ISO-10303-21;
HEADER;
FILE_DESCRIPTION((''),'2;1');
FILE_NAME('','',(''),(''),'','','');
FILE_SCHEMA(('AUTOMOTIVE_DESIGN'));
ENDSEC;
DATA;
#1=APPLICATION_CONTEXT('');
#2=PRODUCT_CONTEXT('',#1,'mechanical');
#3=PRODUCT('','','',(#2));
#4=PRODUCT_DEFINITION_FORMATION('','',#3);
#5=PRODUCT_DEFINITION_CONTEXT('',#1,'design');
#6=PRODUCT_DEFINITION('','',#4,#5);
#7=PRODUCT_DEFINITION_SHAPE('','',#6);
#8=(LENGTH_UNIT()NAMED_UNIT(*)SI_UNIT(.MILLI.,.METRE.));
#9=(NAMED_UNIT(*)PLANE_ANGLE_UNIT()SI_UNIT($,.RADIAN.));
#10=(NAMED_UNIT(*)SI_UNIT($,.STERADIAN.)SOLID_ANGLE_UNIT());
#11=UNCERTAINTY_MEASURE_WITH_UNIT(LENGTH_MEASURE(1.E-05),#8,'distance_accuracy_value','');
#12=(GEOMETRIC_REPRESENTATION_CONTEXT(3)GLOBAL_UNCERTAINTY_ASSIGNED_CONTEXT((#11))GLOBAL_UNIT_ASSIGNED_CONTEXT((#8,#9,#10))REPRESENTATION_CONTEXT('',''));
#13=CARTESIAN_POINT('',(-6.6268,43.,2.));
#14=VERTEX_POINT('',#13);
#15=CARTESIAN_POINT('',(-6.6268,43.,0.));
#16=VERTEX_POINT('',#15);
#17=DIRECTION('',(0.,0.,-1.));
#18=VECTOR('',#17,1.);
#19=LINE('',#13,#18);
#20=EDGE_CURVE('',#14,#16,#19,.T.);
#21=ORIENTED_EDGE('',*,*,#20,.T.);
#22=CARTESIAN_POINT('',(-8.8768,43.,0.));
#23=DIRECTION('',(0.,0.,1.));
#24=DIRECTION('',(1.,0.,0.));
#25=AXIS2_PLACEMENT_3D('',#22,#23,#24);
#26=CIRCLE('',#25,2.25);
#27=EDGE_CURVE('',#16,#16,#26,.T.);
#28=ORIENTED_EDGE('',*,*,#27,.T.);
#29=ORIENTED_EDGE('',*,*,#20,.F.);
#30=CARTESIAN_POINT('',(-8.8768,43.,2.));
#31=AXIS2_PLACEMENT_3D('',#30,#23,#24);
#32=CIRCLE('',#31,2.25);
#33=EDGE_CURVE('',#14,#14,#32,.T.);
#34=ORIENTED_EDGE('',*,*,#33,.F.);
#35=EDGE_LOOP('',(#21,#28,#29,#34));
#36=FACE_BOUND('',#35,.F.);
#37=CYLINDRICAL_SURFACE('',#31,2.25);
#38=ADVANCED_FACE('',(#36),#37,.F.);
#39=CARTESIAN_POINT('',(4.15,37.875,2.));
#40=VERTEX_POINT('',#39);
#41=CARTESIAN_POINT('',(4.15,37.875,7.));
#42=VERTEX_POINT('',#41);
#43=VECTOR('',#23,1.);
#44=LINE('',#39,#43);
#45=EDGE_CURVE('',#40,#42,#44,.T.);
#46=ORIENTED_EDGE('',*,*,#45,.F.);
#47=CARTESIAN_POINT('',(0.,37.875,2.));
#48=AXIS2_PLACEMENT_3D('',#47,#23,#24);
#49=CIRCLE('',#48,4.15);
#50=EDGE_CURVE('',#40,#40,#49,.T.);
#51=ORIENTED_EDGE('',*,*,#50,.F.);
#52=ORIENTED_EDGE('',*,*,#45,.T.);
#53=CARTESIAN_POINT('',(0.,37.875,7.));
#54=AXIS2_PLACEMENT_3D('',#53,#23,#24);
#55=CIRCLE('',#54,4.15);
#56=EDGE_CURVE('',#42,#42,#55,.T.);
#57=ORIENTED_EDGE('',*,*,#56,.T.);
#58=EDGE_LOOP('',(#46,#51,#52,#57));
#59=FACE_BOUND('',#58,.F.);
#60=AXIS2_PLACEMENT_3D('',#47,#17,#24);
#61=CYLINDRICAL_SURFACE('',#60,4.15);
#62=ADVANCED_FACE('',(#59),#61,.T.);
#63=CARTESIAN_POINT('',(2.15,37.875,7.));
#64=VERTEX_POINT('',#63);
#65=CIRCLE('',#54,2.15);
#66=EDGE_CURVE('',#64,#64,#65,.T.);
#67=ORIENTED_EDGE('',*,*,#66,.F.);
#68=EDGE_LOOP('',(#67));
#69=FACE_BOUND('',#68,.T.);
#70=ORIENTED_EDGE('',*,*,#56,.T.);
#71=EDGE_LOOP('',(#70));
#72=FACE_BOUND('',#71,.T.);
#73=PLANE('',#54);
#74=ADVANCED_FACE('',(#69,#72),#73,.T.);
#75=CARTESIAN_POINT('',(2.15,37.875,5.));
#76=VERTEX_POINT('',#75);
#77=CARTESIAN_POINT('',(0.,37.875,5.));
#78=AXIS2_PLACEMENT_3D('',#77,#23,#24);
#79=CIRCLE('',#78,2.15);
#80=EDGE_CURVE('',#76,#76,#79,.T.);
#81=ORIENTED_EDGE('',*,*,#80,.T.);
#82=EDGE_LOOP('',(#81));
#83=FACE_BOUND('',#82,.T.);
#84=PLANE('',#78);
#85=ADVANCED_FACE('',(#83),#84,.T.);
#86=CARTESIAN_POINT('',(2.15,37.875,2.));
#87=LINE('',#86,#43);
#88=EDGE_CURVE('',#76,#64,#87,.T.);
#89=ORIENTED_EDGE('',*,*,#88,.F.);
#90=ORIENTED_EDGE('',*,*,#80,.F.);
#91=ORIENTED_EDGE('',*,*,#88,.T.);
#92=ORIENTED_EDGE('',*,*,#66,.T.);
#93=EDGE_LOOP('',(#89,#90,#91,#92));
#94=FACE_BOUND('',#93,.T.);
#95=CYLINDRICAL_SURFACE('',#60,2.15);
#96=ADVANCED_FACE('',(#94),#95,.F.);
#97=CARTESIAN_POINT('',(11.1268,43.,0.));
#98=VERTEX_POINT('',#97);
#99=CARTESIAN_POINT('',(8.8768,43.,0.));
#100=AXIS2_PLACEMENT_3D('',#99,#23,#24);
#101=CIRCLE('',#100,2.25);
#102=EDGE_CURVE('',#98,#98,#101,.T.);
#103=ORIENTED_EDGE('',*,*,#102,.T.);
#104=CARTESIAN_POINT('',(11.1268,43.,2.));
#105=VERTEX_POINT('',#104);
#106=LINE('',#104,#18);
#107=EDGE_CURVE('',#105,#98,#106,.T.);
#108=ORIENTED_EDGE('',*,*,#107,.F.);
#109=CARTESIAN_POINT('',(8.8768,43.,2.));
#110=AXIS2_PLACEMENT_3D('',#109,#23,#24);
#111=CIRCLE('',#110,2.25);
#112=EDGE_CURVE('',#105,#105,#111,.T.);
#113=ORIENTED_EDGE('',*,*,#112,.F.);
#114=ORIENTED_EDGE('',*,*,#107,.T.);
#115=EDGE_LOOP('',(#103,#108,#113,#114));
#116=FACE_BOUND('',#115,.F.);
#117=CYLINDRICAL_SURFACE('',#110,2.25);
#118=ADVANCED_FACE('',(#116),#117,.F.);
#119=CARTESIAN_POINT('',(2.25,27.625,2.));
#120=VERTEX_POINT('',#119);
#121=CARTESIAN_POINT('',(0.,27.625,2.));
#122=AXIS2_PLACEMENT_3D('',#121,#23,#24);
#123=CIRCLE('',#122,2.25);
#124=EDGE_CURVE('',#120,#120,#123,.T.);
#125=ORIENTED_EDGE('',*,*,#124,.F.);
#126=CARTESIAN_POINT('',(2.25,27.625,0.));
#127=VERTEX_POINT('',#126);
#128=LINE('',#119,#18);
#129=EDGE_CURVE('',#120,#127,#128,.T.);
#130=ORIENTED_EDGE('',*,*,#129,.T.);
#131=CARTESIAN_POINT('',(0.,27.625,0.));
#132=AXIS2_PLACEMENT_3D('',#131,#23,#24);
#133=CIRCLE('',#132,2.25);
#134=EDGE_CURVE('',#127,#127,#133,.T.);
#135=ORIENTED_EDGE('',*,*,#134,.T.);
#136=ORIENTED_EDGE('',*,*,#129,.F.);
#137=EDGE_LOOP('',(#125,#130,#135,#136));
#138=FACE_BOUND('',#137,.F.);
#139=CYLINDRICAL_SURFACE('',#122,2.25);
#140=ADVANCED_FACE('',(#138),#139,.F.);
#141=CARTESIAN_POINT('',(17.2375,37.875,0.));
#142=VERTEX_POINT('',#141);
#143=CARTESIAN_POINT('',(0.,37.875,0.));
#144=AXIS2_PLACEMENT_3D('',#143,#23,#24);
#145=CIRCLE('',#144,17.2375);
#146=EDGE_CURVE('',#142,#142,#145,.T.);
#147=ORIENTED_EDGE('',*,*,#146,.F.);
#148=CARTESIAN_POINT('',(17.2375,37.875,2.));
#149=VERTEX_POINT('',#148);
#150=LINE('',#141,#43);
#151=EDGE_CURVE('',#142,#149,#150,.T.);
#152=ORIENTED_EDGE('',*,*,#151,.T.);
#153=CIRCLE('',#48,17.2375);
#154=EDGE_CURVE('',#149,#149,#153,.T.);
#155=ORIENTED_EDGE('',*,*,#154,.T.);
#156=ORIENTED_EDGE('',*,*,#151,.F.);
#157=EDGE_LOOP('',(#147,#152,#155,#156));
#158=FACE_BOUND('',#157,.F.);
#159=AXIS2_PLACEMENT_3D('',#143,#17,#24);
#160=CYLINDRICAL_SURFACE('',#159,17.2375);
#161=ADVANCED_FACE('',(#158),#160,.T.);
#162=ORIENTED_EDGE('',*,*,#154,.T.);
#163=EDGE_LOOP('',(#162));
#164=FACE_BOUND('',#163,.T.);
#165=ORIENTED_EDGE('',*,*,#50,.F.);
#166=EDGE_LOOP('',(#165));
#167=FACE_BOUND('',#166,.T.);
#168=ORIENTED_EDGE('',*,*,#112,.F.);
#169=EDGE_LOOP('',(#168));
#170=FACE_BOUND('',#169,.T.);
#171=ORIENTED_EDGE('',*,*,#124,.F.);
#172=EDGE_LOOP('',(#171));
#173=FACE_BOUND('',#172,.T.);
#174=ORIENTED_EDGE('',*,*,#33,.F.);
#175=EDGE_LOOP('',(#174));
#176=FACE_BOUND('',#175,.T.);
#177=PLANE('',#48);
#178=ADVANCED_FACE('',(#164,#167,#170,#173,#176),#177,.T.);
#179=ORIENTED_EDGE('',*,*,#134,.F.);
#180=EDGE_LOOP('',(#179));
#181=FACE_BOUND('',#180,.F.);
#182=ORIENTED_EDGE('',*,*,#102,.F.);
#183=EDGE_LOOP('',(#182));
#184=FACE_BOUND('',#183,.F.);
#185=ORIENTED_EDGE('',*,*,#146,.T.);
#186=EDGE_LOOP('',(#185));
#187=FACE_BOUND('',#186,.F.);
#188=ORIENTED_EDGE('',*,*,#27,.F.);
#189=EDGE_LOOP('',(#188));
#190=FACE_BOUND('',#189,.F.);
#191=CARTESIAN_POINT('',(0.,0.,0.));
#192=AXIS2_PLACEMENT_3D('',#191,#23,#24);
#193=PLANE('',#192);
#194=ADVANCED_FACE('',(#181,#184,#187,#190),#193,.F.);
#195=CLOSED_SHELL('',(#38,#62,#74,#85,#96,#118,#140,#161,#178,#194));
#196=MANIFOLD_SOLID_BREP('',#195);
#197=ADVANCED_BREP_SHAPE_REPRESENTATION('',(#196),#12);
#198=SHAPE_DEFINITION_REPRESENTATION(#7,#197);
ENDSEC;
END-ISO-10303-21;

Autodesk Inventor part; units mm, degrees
ref_plane "YZ Plane" through (0, 0, 0) normal (1, 0, 0) x (0, 1, 0)
ref_plane "XZ Plane" through (0, 0, 0) normal (0, 1, 0) x (-1, 0, 0)
ref_plane "XY Plane" through (0, 0, 0) normal (0, 0, 1) x (1, 0, 0)
sketch "Szkic1" plane through (0, 0, 0) normal (0, 0, 1) x (1, 0, 0)
  circle A0 centre (-8.8768, 43) radius 2 projected
  circle A1 centre (8.8768, 43) radius 2 projected
  circle A2 centre (0, 27.625) radius 2 projected
  line L0 (20.7693, 46.5287) -> (55.6245, -37.125) projected
  arc A3 (20.7693, 46.5287) -> (-20.7693, 46.5287) centre (0, 37.875) ccw projected
  line L1 (-55.6245, -37.125) -> (-20.7693, 46.5287) projected
  line L2 (-55.6245, -63.375) -> (-55.6245, -37.125) projected
  line L3 (55.6245, -63.375) -> (-55.6245, -63.375) projected
  line L4 (55.6245, -37.125) -> (55.6245, -63.375) projected
  circle A4 centre (-50, -53.375) radius 2.75 projected
  circle A5 centre (50, -53.375) radius 2.75 projected
  circle A6 centre (-25, -45.375) radius 2.75 projected
  circle A7 centre (25, -45.375) radius 2.75 projected
  circle A8 centre (0, -53.375) radius 2.75 projected
  circle A9 centre (0, 37.875) radius 17.2375
  circle A10 centre (0, 37.875) radius 2.1667
  point P0 (0, 0)
extrude "Wyciągnięcie proste1" add sketch "Szkic1" along normal blind 2.54 contours A9
sketch "Szkic2" plane through (0, 37.875, 2.54) normal (0, 0, 1) x (1, 0, 0)
  circle A0 centre (0, 0) radius 17.2375 projected
  circle A1 centre (0, 0) radius 2.1667 projected
  circle A2 centre (0, -10.25) radius 2 projected
  circle A3 centre (8.8768, 5.125) radius 2 projected
  circle A4 centre (-8.8768, 5.125) radius 2 projected
  point P0 (0, -37.875)
extrude "Wyciągnięcie proste2" cut sketch "Szkic2" against normal blind 0.54
sketch "Szkic3" plane through (0, 37.875, 2) normal (0, 0, 1) x (1, 0, 0)
  circle A0 centre (0, 0) radius 17.2375 projected
  circle A1 centre (-8.8768, 5.125) radius 2 projected
  circle A2 centre (8.8768, 5.125) radius 2 projected
  circle A3 centre (0, -10.25) radius 2 projected
  circle A4 centre (0, 0) radius 2.1667 projected
  point P0 (0, -37.875)
extrude "Wyciągnięcie proste3" add sketch "Szkic3" against normal up to surface (2 mm away) contours A4
sketch "Szkic4" plane through (0, 37.875, 2) normal (0, 0, 1) x (1, 0, 0)
  circle A0 centre (0, 0) radius 17.2375 projected
  circle A1 centre (-8.8768, 5.125) radius 2 projected
  circle A2 centre (8.8768, 5.125) radius 2 projected
  circle A3 centre (0, -10.25) radius 2 projected
  circle A4 centre (0, 0) radius 2.15
  line L0 (2.15, 0) -> (4.15, 0)
  circle A5 centre (0, 0) radius 4.15
  point P0 (0, -37.875)
  dimension "d6" = 4.3
  dimension "d7" = 2
extrude "Wyciągnięcie proste4" add sketch "Szkic4" along normal blind 5 contours A5
sketch "Szkic5" plane through (0, 37.875, 2) normal (0, 0, 1) x (1, 0, 0)
  circle A0 centre (0, 0) radius 2.15 projected
  point P0 (0, -37.875)
extrude "Wyciągnięcie proste5" add sketch "Szkic5" along normal blind 3
sketch "Szkic6" plane through (0, 37.875, 2) normal (0, 0, 1) x (1, 0, 0)
  circle A0 centre (0, 0) radius 17.2375 projected
  circle A1 centre (-8.8768, 5.125) radius 2 projected
  circle A2 centre (8.8768, 5.125) radius 2 projected
  circle A3 centre (0, -10.25) radius 2 projected
  circle A4 centre (0, -10.25) radius 2.25
  circle A5 centre (-8.8768, 5.125) radius 2.25
  circle A6 centre (8.8768, 5.125) radius 2.25
  point P0 (0, -37.875)
  dimension "d16" = 4.5
  dimension "d17" = 4.5
  dimension "d18" = 4.5
extrude "Wyciągnięcie proste6" cut sketch "Szkic6" against normal through all contours A1 | A2 | A3 | A4 | A5 | A6
properties part number "na magnes"
